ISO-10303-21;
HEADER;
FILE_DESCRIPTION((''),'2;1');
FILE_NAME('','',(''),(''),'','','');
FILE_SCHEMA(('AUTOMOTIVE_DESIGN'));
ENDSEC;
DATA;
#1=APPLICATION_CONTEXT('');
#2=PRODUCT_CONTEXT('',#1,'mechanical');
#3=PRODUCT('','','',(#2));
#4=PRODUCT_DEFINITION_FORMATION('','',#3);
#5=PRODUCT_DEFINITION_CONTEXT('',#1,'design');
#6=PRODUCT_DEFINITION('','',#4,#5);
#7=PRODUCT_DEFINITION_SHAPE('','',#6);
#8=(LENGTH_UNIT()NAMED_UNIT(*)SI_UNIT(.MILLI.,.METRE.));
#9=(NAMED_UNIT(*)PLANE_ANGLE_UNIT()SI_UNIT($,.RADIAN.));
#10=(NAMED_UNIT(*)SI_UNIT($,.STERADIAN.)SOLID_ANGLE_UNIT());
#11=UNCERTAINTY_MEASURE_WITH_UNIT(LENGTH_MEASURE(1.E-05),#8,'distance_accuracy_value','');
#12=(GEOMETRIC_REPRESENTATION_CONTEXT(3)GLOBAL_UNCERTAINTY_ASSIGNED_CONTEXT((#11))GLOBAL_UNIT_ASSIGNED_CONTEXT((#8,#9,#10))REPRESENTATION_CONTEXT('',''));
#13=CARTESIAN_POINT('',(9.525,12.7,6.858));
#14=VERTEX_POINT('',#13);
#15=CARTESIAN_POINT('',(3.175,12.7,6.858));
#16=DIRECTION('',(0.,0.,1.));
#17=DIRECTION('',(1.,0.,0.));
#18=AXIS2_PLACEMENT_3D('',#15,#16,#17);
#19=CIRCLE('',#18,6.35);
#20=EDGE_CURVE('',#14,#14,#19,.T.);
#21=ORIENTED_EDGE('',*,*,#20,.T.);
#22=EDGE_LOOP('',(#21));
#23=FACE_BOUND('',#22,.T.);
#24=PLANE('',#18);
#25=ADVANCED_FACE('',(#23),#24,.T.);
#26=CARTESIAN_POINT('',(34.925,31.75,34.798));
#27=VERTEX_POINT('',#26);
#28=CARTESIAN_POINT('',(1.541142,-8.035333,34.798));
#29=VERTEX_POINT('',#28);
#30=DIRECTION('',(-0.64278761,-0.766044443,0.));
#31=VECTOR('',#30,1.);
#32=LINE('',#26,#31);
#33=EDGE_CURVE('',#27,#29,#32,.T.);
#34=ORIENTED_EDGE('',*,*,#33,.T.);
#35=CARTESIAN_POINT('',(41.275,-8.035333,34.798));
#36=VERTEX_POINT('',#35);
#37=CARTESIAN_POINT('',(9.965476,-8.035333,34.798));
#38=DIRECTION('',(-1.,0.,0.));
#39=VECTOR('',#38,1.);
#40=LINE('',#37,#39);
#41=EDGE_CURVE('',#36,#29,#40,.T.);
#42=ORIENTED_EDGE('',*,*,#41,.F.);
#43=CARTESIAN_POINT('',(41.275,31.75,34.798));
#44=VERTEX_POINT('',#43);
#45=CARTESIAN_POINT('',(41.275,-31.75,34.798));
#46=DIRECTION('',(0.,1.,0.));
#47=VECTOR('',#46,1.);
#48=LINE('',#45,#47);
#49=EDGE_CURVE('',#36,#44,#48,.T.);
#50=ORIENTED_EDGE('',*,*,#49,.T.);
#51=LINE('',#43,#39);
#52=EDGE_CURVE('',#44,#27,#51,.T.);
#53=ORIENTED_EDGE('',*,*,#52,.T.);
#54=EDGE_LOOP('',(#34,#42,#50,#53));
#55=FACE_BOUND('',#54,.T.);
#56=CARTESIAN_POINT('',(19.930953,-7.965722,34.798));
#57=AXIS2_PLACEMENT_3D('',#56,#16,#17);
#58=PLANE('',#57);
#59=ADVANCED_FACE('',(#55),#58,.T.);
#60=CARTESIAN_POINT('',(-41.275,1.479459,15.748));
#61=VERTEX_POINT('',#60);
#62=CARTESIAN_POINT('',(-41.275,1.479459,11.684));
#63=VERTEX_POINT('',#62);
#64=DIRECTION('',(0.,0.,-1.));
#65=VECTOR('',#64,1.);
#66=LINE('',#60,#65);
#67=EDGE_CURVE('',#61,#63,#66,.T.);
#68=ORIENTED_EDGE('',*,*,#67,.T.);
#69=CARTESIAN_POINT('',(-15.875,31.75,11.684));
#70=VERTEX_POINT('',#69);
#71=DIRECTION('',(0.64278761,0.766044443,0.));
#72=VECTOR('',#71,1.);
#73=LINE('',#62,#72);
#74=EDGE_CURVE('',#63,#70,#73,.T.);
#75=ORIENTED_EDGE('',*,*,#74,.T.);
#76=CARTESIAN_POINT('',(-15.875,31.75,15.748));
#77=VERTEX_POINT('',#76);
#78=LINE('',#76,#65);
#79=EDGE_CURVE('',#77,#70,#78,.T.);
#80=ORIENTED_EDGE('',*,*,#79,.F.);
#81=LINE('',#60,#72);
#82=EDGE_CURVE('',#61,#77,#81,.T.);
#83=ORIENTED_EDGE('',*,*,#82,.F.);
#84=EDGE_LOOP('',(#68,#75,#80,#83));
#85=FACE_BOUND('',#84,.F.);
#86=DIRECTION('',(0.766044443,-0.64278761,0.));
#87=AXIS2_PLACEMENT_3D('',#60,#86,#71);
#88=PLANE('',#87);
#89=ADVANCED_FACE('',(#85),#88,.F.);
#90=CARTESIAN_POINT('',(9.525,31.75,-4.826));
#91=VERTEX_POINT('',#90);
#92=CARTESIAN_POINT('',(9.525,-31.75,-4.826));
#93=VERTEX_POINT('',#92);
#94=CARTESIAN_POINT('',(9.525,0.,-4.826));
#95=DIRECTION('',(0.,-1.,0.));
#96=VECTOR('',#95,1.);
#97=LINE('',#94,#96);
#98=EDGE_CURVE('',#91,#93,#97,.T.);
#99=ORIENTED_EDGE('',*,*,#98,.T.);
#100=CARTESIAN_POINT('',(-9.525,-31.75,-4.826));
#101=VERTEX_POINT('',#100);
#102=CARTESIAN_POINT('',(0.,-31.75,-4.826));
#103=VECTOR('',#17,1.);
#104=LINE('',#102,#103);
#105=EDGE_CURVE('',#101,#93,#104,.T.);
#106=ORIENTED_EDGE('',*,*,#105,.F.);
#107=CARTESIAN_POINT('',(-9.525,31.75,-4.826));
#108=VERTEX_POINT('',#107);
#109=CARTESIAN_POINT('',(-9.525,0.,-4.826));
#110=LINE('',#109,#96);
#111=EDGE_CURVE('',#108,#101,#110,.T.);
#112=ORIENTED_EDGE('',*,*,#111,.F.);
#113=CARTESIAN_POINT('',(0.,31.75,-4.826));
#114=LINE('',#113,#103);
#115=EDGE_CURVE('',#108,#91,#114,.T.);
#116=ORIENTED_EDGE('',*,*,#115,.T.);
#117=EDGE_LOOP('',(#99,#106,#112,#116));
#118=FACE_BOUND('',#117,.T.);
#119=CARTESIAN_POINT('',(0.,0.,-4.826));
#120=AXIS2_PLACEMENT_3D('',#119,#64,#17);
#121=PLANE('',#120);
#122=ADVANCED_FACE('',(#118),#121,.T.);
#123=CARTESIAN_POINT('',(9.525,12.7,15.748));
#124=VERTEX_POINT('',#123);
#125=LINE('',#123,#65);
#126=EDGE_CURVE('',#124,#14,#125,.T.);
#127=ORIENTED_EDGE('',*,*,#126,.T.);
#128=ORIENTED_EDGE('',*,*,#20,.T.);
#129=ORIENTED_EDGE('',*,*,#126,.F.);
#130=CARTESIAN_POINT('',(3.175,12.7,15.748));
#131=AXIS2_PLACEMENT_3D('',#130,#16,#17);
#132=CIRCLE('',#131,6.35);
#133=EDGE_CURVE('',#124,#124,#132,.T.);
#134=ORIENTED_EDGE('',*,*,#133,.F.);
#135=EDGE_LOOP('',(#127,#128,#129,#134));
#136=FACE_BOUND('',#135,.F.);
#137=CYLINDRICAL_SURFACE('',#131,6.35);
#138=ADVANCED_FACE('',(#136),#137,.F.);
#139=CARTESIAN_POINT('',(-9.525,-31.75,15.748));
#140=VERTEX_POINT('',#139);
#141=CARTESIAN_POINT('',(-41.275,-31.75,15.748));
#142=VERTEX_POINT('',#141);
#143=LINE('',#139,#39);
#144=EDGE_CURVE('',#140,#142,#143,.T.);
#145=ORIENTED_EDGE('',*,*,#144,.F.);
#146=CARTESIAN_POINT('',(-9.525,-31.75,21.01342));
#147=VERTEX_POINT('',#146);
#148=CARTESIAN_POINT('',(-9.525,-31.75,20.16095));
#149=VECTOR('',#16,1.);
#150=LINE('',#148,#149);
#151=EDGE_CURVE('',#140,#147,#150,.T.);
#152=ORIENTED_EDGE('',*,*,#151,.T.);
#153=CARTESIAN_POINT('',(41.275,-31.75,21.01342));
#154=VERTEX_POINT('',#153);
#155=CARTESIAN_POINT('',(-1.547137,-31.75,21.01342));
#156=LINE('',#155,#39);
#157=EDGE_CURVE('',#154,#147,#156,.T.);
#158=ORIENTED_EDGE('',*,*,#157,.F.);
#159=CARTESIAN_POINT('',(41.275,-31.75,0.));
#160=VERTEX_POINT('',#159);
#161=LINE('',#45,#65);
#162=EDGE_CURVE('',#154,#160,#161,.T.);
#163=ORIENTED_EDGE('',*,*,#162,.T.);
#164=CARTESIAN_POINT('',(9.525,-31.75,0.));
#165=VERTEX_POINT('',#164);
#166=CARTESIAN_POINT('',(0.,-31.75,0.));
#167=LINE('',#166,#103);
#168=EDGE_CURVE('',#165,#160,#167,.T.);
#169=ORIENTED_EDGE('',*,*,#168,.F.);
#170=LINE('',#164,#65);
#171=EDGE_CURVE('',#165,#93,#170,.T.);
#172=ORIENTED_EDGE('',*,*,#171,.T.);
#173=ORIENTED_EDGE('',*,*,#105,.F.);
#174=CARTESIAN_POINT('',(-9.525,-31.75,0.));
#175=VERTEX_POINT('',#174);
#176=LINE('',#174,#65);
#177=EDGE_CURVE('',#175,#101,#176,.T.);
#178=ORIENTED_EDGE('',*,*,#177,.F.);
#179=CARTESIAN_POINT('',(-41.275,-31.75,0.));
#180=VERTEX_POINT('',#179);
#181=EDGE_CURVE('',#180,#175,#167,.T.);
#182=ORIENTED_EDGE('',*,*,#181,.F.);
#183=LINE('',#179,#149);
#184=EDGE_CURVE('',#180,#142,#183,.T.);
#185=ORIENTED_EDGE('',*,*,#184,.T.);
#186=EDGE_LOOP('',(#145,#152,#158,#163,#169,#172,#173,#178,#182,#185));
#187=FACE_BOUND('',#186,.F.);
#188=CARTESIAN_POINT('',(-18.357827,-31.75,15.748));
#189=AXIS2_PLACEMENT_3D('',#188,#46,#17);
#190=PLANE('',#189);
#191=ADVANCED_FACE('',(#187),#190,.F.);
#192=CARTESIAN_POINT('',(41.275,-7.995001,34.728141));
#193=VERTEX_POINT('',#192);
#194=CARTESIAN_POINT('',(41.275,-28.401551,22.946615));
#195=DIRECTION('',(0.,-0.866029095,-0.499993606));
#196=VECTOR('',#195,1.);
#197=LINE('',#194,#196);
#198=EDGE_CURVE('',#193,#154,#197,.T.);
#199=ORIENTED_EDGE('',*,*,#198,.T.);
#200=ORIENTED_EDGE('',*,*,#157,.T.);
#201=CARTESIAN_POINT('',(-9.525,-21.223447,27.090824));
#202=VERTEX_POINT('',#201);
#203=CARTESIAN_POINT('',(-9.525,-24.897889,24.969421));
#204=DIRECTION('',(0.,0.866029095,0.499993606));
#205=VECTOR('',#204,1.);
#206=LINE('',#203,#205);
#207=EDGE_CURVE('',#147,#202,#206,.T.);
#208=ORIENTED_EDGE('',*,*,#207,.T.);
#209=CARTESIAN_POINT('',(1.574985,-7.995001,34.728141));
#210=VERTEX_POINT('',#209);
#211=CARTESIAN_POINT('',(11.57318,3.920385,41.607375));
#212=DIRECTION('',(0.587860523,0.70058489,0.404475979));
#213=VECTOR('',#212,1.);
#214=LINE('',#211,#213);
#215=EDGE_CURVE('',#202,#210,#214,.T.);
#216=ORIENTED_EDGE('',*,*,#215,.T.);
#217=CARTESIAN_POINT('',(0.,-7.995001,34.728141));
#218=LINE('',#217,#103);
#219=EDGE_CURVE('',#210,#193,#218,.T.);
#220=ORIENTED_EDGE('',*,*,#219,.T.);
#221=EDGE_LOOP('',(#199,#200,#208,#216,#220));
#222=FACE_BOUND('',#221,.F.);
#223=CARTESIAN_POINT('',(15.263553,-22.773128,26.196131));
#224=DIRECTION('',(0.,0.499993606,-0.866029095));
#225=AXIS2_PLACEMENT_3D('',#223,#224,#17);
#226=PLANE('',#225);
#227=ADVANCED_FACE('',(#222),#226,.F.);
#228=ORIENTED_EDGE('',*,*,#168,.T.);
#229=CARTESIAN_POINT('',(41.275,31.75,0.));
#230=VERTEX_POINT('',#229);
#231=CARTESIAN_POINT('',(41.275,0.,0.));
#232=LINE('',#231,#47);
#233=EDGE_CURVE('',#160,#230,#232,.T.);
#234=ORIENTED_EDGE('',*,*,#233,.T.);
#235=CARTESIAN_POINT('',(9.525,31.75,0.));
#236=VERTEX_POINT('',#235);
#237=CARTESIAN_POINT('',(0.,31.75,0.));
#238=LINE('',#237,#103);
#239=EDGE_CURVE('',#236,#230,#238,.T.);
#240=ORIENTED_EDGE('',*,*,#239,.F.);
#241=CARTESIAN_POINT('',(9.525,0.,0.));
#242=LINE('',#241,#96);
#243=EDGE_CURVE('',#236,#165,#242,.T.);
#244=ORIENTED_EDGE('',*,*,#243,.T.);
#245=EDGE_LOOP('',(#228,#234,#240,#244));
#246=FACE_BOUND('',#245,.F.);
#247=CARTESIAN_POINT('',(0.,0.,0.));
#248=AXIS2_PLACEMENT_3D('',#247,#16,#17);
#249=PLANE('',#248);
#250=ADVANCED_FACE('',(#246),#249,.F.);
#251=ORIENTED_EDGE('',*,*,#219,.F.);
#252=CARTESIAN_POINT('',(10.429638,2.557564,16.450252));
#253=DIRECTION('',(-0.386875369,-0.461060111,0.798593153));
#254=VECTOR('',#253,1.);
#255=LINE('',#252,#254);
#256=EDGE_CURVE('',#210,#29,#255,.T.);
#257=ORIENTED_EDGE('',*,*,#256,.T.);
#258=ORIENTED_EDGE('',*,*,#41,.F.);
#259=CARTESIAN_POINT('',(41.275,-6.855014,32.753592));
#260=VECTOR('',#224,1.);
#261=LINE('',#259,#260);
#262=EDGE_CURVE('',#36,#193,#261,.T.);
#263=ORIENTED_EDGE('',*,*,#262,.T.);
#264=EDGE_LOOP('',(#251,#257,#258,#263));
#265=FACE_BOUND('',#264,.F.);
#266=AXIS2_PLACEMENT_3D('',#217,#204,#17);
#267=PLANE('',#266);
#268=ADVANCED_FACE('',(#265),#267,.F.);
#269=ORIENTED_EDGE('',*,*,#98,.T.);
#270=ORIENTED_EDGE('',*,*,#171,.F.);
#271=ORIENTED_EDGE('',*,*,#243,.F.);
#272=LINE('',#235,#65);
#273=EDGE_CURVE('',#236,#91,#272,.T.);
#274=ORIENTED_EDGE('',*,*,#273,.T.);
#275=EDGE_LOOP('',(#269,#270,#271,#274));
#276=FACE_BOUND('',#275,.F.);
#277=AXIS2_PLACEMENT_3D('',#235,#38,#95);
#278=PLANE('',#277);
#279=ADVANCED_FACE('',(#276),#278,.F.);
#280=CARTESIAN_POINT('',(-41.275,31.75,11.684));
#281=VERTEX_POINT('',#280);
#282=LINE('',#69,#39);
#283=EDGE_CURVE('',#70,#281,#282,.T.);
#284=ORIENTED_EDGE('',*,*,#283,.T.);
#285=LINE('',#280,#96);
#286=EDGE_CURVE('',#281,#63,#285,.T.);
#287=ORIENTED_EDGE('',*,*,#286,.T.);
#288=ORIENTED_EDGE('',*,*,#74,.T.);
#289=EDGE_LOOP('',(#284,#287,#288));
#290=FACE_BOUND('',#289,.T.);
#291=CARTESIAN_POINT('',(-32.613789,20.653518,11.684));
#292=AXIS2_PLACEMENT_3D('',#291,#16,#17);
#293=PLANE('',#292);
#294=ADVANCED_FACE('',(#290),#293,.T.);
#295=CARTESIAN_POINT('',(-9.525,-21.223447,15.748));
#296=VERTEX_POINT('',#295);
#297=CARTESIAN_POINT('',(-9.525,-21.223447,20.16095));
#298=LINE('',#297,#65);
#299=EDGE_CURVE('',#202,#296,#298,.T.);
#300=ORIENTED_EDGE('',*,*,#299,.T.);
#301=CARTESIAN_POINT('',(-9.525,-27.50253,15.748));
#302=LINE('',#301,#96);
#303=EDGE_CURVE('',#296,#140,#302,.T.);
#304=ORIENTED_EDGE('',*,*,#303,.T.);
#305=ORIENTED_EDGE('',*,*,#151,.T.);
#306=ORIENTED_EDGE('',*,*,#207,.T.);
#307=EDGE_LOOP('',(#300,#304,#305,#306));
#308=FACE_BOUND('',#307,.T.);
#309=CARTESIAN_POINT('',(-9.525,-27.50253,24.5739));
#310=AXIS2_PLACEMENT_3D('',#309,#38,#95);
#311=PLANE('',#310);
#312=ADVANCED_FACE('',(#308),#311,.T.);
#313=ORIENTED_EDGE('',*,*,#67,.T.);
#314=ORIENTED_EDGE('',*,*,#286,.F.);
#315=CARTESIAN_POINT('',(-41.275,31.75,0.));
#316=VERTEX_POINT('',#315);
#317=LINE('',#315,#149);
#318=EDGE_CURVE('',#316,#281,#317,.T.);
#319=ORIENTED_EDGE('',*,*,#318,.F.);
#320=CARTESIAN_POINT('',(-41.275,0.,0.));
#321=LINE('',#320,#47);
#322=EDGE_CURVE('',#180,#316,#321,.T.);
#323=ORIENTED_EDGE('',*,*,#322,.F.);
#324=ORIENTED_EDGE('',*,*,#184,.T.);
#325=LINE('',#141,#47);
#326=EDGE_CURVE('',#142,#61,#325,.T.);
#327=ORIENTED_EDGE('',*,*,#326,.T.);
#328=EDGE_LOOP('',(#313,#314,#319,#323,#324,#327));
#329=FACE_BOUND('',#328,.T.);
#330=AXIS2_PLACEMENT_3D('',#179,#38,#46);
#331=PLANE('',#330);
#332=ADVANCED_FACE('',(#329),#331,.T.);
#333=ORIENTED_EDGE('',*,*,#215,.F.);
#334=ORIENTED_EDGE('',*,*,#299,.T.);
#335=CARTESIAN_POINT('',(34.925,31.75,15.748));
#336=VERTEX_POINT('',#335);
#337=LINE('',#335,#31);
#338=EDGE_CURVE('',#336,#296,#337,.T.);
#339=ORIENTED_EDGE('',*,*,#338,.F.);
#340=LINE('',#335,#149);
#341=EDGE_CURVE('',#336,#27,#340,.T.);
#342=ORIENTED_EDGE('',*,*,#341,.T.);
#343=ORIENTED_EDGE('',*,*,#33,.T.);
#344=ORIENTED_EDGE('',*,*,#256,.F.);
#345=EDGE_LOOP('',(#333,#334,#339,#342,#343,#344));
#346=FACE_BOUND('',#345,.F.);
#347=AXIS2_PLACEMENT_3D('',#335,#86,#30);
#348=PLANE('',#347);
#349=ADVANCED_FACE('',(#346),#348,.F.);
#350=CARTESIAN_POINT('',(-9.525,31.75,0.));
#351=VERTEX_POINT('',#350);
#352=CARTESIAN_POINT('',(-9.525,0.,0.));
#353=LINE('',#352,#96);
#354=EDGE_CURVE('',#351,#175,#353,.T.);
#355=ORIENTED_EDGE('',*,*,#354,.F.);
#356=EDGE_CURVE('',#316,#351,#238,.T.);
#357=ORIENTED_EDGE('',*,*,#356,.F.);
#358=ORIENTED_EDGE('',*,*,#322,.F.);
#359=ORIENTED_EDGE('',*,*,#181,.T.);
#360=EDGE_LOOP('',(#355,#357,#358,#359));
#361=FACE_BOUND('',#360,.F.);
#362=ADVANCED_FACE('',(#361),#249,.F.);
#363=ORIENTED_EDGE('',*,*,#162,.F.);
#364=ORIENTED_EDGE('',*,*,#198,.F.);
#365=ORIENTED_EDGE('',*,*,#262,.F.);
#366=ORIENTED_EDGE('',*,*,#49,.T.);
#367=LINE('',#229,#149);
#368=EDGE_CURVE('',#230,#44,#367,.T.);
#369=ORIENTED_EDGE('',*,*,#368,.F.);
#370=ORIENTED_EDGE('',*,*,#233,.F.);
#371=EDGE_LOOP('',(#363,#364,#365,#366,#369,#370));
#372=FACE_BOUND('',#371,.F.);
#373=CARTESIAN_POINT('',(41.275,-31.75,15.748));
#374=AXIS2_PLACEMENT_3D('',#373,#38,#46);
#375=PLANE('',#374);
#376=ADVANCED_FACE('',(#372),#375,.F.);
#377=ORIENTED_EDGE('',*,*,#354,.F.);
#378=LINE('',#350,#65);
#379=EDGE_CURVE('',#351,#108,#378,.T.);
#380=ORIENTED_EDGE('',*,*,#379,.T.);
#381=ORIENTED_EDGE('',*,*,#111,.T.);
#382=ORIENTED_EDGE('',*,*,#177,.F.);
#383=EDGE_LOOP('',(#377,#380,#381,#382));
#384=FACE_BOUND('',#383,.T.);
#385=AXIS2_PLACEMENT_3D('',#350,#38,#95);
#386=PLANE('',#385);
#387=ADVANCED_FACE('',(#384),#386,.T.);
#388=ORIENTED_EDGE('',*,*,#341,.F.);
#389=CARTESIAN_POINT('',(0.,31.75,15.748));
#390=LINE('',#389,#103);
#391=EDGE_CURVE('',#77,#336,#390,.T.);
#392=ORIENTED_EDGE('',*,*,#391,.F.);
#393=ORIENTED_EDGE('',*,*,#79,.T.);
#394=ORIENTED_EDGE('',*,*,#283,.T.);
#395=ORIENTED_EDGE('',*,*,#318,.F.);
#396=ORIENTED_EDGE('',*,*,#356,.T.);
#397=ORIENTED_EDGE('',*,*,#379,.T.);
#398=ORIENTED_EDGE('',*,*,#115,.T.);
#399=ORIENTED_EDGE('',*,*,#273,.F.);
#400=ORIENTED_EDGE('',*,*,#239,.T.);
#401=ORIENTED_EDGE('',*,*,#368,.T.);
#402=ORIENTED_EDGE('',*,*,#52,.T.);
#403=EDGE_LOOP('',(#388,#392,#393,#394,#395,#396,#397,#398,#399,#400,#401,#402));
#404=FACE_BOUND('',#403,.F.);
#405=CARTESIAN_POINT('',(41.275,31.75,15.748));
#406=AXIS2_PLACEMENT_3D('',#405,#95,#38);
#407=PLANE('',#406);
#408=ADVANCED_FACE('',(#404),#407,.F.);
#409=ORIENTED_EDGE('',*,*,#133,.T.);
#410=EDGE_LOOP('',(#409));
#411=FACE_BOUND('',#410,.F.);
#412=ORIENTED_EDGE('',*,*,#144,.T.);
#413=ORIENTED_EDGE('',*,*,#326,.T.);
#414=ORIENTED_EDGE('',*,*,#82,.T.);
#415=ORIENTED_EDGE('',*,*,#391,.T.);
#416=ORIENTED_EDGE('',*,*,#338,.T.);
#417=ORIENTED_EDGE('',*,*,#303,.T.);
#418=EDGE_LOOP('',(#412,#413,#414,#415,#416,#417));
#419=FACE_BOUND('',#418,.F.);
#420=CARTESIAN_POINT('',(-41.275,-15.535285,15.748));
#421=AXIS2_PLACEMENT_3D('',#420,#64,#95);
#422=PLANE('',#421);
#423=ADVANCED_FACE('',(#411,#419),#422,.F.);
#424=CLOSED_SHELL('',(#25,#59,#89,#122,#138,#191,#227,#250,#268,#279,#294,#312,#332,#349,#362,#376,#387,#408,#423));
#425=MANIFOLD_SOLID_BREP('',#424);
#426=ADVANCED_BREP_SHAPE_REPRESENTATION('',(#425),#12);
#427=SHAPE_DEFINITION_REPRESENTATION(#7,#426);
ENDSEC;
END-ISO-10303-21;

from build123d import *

# Parameters (mm, degrees)
F0_W      = 82.55
F0_H      = 63.5
F1_DEPTH  = 15.748
F3_DEPTH  = 4.064
F4_W      = 19.05
F4_H      = 63.5
F5_DEPTH  = 4.826
F7_DEPTH  = 19.05
F8_R      = 6.35
F9_DEPTH  = 8.89
F14_DEPTH = 25.4
F16_DEPTH = 25.4
F18_W     = 23.9344900474
F18_H     = 17.6518000662
F19_DEPTH = 31.75


with BuildPart() as f1:
    # F0 (on Top) → F1 (new body)
    with BuildSketch(Plane.XY):
        Rectangle(F0_W, F0_H)
    extrude(amount=F1_DEPTH)

    # F2 (on face) → F3 (cut)
    with BuildSketch(Plane.XY.offset(15.748)):
        Polygon((-41.275, 1.4794587481), (-15.875, 31.75), (-41.275, 31.75), align=None)
    extrude(amount=-F3_DEPTH, mode=Mode.SUBTRACT)

    # F4 (on face) → F5 (join)
    with BuildSketch(Plane(origin=(0, 0, 0), x_dir=(1, 0, 0), z_dir=(0, 0, -1))):
        Rectangle(F4_W, F4_H)
    extrude(amount=F5_DEPTH)

    # F6 (on face) → F7 (join)
    with BuildSketch(Plane.XY.offset(15.748)):
        Polygon((41.275, -31.75), (41.275, 31.75), (34.925, 31.75), (-18.3578265798, -31.75), align=None)
    extrude(amount=F7_DEPTH)

    # F8 (on face) → F9 (cut)
    with BuildSketch(Plane.XY.offset(15.748)):
        with Locations((3.175, 12.7)):
            Circle(F8_R)
    extrude(amount=-F9_DEPTH, mode=Mode.SUBTRACT)

    # F13 (on face) → F14 (cut)
    with BuildSketch(Plane(origin=(0, -17.0362972024, 29.5082354343), x_dir=(1, 0, 0), z_dir=(0, 0.4999936063, -0.8660290951))):
        Polygon((-18.5759086162, 20.4719938338), (-20.111516118, 17.1120017767), (0, -10.4399453849), (43.6191521585, -10.4399453849), (43.6191521585, 20.4719938338), align=None)
    extrude(amount=-F14_DEPTH, mode=Mode.SUBTRACT)

    # F15 (on face) → F16 (cut)
    with BuildSketch(Plane(origin=(4.8610082234, -4.0788702074, 0), x_dir=(-0.6427876097, -0.7660444431, 0), z_dir=(-0.7660444431, 0.6427876097, 0))):
        Polygon((36.1220945353, 34.798), (14.8864189693, 34.798), (36.1220945353, 25.5741356141), align=None)
    extrude(amount=-F16_DEPTH, mode=Mode.SUBTRACT)

    # F18 (on offset) → F19 (cut)
    with BuildSketch(Plane(origin=(-41.275, 0, 0), x_dir=(0, -1, 0), z_dir=(-1, 0, 0))):
        with Locations((27.5025297888, 24.5739000331)):
            Rectangle(F18_W, F18_H)
    extrude(amount=-F19_DEPTH, mode=Mode.SUBTRACT)


solid = f1.part
